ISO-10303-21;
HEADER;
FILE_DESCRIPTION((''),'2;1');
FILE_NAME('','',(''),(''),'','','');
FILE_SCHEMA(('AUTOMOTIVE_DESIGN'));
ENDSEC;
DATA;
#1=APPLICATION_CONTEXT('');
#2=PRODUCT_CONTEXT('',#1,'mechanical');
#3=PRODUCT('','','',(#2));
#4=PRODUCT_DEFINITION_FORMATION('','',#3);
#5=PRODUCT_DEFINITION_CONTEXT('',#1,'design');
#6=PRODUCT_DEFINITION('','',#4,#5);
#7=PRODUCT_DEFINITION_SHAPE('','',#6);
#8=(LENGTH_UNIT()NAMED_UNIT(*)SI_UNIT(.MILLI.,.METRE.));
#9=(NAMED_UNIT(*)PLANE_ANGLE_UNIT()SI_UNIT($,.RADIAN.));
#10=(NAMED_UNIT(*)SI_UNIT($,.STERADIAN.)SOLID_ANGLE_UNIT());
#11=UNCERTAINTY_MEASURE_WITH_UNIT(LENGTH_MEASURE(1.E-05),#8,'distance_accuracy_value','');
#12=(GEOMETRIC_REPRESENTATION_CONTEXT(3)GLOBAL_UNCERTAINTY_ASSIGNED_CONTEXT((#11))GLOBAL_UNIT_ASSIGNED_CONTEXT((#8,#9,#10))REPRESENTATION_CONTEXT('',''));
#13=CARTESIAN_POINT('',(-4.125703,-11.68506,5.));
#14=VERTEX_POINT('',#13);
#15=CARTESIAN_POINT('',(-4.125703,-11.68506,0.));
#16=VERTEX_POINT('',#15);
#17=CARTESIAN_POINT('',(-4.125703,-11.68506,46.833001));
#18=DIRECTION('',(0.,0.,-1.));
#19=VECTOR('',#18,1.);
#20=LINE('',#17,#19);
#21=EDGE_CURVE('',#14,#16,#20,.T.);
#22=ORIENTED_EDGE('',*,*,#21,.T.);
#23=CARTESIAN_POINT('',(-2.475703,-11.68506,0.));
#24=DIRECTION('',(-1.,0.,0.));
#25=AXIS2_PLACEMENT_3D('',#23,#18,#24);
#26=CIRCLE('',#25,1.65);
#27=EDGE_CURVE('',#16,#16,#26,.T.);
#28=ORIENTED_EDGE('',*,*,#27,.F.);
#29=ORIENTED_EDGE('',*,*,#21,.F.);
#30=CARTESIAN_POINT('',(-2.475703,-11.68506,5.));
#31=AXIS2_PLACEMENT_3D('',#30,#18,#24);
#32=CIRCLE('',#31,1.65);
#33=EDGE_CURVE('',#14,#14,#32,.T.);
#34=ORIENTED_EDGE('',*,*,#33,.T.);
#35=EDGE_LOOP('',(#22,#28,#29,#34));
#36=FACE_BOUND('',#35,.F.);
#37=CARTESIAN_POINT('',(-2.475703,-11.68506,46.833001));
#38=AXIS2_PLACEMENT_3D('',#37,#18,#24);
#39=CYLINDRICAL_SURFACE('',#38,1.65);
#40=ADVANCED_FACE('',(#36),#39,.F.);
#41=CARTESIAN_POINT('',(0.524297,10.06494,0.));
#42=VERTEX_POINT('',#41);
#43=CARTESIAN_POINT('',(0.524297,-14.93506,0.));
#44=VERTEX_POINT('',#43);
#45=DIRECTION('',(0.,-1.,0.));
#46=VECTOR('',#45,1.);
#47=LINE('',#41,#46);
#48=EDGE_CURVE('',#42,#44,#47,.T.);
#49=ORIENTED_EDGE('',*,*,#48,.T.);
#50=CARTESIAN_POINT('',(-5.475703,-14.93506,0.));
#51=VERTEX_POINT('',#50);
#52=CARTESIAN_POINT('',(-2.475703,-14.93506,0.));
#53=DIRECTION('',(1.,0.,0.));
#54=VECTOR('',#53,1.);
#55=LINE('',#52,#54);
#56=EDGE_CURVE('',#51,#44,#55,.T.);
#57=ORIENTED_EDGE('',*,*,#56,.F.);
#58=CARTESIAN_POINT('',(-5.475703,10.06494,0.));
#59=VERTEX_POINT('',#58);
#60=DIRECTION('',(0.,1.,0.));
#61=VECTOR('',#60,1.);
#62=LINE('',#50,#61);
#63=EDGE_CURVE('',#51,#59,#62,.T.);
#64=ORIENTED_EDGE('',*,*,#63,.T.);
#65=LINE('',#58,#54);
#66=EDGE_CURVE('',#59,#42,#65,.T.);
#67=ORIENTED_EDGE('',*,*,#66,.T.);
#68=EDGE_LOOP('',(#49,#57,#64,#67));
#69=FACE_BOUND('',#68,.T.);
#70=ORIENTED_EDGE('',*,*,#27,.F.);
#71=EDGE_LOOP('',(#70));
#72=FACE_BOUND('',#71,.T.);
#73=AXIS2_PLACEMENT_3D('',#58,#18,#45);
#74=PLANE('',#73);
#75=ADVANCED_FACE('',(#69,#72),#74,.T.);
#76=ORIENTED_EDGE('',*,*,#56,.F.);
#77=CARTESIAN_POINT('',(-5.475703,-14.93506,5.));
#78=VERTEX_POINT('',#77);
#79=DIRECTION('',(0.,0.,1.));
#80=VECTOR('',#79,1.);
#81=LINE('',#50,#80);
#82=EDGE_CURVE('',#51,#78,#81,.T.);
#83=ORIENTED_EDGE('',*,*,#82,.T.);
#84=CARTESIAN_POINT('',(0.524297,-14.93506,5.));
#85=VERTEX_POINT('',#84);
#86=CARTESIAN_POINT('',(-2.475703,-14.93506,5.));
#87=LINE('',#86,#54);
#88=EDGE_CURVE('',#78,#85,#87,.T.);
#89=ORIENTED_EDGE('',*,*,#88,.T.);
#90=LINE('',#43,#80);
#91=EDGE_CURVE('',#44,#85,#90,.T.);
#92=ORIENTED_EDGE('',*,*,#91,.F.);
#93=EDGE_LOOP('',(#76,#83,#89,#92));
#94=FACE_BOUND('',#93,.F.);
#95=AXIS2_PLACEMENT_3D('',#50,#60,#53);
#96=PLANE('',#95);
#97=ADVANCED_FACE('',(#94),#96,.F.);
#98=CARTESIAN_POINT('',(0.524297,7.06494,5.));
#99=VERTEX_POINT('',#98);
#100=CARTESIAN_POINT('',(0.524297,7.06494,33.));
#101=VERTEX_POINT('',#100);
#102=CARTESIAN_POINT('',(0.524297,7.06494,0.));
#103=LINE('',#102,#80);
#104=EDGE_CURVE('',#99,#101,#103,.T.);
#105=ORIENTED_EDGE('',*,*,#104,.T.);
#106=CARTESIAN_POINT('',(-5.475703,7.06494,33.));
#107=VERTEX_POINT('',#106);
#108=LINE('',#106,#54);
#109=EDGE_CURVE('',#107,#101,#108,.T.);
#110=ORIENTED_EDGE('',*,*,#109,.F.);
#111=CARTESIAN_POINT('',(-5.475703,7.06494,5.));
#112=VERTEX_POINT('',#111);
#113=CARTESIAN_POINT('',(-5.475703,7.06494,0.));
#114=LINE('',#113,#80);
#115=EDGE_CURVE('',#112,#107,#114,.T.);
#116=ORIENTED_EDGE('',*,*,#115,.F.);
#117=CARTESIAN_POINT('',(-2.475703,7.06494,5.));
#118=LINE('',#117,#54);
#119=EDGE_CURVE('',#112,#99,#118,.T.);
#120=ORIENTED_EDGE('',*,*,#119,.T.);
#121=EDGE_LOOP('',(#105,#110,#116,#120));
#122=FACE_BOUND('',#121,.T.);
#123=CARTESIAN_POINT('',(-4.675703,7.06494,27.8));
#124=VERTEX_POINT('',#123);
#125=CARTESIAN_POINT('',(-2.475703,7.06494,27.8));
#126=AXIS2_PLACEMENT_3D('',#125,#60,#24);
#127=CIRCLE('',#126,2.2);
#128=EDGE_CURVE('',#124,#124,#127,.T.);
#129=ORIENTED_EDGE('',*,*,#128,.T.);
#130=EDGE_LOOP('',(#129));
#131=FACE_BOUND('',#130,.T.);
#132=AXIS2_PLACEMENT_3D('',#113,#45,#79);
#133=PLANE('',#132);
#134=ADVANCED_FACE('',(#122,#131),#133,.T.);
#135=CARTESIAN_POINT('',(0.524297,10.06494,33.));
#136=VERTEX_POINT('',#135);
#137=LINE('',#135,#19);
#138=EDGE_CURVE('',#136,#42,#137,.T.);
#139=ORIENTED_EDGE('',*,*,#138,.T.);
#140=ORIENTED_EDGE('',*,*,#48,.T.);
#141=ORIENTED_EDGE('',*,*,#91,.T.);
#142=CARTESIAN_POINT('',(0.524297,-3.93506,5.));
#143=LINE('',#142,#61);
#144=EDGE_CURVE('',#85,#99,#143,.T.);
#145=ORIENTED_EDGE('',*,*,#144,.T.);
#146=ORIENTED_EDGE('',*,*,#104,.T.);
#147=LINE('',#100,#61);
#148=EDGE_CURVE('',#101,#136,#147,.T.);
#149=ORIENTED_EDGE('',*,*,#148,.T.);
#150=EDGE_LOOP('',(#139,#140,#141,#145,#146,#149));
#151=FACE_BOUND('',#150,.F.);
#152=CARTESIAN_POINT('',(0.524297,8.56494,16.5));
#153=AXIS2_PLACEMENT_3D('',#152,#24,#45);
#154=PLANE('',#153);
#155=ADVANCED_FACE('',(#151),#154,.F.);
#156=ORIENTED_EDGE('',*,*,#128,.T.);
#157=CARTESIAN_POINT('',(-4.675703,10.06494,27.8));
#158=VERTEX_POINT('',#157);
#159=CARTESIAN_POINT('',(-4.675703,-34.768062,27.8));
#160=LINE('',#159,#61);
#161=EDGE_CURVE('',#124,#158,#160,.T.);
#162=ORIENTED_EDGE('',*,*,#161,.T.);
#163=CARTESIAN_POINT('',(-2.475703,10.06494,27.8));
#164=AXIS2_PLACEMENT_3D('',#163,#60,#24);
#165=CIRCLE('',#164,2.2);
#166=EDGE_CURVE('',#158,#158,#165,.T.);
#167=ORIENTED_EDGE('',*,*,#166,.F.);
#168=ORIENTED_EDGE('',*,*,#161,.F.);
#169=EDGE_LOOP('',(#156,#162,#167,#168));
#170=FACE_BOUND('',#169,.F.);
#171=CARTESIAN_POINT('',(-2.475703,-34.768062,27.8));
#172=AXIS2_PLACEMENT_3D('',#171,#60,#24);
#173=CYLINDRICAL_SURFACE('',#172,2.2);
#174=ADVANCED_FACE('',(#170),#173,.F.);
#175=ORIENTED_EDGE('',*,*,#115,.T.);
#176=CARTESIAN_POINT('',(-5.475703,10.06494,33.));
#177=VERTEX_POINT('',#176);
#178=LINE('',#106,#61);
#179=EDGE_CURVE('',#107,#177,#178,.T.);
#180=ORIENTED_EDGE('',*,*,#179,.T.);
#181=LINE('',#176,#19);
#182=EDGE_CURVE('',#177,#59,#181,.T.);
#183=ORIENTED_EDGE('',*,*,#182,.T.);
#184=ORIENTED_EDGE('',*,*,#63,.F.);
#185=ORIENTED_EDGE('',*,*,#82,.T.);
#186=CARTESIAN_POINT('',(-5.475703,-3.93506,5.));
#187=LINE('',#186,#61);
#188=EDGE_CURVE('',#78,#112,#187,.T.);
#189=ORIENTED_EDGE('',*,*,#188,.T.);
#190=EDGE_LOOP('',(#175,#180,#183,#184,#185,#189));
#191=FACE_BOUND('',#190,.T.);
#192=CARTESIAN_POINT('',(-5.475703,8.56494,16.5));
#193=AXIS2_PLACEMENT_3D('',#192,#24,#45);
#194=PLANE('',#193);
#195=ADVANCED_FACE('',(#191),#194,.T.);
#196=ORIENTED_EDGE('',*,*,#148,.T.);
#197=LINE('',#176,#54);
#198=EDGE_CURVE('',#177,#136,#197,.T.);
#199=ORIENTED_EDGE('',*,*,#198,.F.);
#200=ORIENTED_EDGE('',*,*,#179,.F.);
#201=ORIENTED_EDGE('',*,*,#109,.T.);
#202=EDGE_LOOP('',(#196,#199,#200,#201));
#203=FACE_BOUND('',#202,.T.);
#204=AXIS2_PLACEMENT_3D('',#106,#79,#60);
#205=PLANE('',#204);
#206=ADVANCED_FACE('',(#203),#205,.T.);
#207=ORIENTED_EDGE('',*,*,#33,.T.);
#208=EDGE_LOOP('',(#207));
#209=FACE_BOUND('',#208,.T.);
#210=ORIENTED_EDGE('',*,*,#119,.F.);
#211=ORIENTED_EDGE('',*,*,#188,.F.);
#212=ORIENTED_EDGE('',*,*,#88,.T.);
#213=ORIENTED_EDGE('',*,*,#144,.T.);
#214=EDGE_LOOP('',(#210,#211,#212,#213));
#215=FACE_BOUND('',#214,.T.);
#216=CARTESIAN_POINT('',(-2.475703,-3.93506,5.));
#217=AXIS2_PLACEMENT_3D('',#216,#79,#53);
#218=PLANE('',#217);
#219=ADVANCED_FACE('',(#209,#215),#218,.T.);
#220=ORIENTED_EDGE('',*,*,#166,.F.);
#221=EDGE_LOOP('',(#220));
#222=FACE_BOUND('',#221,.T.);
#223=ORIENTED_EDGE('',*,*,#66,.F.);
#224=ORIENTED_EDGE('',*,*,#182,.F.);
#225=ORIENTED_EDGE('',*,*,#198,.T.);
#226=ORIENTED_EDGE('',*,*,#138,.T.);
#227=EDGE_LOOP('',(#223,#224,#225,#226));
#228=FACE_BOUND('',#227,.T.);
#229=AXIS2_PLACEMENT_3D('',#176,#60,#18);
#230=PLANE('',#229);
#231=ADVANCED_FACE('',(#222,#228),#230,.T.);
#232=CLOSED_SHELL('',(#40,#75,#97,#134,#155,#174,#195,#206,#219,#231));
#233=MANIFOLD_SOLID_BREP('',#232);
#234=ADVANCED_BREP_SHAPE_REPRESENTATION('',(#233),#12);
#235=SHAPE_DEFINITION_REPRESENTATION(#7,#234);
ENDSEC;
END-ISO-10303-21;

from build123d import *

# Parameters (mm, degrees)
F0_W     = 6
F0_H     = 22
F1_DEPTH = 5
F3_DEPTH = 6
F5_D     = 3.3
F7_D     = 4.4


with BuildPart() as f1:
    # F0 (on Top) → F1 (new body)
    with BuildSketch(Plane.XY):
        with Locations((-2.4757032864, -3.9350604638)):
            Rectangle(F0_W, F0_H)
    extrude(amount=F1_DEPTH)

    # F2 (on face) → F3 (join)
    with BuildSketch(Plane(origin=(-5.4757032864, 0, 0), x_dir=(0, -1, 0), z_dir=(-1, 0, 0))):
        Polygon((-10.0649395362, 0), (-7.0649395362, 0), (-7.0649395362, 5), (-7.0649395362, 33), (-10.0649395362, 33), align=None)
    extrude(amount=-F3_DEPTH)

    # F5 (through all)
    with Locations(Plane.XY.offset(5)):
        with Locations((-2.4757032864, -11.6850604638)):
            Hole(F5_D / 2)

    # F7 (through all)
    with Locations(Plane.XZ.offset(-7.0649395362)):
        with Locations((-2.4757032864, 27.8)):
            Hole(F7_D / 2)


solid = f1.part
